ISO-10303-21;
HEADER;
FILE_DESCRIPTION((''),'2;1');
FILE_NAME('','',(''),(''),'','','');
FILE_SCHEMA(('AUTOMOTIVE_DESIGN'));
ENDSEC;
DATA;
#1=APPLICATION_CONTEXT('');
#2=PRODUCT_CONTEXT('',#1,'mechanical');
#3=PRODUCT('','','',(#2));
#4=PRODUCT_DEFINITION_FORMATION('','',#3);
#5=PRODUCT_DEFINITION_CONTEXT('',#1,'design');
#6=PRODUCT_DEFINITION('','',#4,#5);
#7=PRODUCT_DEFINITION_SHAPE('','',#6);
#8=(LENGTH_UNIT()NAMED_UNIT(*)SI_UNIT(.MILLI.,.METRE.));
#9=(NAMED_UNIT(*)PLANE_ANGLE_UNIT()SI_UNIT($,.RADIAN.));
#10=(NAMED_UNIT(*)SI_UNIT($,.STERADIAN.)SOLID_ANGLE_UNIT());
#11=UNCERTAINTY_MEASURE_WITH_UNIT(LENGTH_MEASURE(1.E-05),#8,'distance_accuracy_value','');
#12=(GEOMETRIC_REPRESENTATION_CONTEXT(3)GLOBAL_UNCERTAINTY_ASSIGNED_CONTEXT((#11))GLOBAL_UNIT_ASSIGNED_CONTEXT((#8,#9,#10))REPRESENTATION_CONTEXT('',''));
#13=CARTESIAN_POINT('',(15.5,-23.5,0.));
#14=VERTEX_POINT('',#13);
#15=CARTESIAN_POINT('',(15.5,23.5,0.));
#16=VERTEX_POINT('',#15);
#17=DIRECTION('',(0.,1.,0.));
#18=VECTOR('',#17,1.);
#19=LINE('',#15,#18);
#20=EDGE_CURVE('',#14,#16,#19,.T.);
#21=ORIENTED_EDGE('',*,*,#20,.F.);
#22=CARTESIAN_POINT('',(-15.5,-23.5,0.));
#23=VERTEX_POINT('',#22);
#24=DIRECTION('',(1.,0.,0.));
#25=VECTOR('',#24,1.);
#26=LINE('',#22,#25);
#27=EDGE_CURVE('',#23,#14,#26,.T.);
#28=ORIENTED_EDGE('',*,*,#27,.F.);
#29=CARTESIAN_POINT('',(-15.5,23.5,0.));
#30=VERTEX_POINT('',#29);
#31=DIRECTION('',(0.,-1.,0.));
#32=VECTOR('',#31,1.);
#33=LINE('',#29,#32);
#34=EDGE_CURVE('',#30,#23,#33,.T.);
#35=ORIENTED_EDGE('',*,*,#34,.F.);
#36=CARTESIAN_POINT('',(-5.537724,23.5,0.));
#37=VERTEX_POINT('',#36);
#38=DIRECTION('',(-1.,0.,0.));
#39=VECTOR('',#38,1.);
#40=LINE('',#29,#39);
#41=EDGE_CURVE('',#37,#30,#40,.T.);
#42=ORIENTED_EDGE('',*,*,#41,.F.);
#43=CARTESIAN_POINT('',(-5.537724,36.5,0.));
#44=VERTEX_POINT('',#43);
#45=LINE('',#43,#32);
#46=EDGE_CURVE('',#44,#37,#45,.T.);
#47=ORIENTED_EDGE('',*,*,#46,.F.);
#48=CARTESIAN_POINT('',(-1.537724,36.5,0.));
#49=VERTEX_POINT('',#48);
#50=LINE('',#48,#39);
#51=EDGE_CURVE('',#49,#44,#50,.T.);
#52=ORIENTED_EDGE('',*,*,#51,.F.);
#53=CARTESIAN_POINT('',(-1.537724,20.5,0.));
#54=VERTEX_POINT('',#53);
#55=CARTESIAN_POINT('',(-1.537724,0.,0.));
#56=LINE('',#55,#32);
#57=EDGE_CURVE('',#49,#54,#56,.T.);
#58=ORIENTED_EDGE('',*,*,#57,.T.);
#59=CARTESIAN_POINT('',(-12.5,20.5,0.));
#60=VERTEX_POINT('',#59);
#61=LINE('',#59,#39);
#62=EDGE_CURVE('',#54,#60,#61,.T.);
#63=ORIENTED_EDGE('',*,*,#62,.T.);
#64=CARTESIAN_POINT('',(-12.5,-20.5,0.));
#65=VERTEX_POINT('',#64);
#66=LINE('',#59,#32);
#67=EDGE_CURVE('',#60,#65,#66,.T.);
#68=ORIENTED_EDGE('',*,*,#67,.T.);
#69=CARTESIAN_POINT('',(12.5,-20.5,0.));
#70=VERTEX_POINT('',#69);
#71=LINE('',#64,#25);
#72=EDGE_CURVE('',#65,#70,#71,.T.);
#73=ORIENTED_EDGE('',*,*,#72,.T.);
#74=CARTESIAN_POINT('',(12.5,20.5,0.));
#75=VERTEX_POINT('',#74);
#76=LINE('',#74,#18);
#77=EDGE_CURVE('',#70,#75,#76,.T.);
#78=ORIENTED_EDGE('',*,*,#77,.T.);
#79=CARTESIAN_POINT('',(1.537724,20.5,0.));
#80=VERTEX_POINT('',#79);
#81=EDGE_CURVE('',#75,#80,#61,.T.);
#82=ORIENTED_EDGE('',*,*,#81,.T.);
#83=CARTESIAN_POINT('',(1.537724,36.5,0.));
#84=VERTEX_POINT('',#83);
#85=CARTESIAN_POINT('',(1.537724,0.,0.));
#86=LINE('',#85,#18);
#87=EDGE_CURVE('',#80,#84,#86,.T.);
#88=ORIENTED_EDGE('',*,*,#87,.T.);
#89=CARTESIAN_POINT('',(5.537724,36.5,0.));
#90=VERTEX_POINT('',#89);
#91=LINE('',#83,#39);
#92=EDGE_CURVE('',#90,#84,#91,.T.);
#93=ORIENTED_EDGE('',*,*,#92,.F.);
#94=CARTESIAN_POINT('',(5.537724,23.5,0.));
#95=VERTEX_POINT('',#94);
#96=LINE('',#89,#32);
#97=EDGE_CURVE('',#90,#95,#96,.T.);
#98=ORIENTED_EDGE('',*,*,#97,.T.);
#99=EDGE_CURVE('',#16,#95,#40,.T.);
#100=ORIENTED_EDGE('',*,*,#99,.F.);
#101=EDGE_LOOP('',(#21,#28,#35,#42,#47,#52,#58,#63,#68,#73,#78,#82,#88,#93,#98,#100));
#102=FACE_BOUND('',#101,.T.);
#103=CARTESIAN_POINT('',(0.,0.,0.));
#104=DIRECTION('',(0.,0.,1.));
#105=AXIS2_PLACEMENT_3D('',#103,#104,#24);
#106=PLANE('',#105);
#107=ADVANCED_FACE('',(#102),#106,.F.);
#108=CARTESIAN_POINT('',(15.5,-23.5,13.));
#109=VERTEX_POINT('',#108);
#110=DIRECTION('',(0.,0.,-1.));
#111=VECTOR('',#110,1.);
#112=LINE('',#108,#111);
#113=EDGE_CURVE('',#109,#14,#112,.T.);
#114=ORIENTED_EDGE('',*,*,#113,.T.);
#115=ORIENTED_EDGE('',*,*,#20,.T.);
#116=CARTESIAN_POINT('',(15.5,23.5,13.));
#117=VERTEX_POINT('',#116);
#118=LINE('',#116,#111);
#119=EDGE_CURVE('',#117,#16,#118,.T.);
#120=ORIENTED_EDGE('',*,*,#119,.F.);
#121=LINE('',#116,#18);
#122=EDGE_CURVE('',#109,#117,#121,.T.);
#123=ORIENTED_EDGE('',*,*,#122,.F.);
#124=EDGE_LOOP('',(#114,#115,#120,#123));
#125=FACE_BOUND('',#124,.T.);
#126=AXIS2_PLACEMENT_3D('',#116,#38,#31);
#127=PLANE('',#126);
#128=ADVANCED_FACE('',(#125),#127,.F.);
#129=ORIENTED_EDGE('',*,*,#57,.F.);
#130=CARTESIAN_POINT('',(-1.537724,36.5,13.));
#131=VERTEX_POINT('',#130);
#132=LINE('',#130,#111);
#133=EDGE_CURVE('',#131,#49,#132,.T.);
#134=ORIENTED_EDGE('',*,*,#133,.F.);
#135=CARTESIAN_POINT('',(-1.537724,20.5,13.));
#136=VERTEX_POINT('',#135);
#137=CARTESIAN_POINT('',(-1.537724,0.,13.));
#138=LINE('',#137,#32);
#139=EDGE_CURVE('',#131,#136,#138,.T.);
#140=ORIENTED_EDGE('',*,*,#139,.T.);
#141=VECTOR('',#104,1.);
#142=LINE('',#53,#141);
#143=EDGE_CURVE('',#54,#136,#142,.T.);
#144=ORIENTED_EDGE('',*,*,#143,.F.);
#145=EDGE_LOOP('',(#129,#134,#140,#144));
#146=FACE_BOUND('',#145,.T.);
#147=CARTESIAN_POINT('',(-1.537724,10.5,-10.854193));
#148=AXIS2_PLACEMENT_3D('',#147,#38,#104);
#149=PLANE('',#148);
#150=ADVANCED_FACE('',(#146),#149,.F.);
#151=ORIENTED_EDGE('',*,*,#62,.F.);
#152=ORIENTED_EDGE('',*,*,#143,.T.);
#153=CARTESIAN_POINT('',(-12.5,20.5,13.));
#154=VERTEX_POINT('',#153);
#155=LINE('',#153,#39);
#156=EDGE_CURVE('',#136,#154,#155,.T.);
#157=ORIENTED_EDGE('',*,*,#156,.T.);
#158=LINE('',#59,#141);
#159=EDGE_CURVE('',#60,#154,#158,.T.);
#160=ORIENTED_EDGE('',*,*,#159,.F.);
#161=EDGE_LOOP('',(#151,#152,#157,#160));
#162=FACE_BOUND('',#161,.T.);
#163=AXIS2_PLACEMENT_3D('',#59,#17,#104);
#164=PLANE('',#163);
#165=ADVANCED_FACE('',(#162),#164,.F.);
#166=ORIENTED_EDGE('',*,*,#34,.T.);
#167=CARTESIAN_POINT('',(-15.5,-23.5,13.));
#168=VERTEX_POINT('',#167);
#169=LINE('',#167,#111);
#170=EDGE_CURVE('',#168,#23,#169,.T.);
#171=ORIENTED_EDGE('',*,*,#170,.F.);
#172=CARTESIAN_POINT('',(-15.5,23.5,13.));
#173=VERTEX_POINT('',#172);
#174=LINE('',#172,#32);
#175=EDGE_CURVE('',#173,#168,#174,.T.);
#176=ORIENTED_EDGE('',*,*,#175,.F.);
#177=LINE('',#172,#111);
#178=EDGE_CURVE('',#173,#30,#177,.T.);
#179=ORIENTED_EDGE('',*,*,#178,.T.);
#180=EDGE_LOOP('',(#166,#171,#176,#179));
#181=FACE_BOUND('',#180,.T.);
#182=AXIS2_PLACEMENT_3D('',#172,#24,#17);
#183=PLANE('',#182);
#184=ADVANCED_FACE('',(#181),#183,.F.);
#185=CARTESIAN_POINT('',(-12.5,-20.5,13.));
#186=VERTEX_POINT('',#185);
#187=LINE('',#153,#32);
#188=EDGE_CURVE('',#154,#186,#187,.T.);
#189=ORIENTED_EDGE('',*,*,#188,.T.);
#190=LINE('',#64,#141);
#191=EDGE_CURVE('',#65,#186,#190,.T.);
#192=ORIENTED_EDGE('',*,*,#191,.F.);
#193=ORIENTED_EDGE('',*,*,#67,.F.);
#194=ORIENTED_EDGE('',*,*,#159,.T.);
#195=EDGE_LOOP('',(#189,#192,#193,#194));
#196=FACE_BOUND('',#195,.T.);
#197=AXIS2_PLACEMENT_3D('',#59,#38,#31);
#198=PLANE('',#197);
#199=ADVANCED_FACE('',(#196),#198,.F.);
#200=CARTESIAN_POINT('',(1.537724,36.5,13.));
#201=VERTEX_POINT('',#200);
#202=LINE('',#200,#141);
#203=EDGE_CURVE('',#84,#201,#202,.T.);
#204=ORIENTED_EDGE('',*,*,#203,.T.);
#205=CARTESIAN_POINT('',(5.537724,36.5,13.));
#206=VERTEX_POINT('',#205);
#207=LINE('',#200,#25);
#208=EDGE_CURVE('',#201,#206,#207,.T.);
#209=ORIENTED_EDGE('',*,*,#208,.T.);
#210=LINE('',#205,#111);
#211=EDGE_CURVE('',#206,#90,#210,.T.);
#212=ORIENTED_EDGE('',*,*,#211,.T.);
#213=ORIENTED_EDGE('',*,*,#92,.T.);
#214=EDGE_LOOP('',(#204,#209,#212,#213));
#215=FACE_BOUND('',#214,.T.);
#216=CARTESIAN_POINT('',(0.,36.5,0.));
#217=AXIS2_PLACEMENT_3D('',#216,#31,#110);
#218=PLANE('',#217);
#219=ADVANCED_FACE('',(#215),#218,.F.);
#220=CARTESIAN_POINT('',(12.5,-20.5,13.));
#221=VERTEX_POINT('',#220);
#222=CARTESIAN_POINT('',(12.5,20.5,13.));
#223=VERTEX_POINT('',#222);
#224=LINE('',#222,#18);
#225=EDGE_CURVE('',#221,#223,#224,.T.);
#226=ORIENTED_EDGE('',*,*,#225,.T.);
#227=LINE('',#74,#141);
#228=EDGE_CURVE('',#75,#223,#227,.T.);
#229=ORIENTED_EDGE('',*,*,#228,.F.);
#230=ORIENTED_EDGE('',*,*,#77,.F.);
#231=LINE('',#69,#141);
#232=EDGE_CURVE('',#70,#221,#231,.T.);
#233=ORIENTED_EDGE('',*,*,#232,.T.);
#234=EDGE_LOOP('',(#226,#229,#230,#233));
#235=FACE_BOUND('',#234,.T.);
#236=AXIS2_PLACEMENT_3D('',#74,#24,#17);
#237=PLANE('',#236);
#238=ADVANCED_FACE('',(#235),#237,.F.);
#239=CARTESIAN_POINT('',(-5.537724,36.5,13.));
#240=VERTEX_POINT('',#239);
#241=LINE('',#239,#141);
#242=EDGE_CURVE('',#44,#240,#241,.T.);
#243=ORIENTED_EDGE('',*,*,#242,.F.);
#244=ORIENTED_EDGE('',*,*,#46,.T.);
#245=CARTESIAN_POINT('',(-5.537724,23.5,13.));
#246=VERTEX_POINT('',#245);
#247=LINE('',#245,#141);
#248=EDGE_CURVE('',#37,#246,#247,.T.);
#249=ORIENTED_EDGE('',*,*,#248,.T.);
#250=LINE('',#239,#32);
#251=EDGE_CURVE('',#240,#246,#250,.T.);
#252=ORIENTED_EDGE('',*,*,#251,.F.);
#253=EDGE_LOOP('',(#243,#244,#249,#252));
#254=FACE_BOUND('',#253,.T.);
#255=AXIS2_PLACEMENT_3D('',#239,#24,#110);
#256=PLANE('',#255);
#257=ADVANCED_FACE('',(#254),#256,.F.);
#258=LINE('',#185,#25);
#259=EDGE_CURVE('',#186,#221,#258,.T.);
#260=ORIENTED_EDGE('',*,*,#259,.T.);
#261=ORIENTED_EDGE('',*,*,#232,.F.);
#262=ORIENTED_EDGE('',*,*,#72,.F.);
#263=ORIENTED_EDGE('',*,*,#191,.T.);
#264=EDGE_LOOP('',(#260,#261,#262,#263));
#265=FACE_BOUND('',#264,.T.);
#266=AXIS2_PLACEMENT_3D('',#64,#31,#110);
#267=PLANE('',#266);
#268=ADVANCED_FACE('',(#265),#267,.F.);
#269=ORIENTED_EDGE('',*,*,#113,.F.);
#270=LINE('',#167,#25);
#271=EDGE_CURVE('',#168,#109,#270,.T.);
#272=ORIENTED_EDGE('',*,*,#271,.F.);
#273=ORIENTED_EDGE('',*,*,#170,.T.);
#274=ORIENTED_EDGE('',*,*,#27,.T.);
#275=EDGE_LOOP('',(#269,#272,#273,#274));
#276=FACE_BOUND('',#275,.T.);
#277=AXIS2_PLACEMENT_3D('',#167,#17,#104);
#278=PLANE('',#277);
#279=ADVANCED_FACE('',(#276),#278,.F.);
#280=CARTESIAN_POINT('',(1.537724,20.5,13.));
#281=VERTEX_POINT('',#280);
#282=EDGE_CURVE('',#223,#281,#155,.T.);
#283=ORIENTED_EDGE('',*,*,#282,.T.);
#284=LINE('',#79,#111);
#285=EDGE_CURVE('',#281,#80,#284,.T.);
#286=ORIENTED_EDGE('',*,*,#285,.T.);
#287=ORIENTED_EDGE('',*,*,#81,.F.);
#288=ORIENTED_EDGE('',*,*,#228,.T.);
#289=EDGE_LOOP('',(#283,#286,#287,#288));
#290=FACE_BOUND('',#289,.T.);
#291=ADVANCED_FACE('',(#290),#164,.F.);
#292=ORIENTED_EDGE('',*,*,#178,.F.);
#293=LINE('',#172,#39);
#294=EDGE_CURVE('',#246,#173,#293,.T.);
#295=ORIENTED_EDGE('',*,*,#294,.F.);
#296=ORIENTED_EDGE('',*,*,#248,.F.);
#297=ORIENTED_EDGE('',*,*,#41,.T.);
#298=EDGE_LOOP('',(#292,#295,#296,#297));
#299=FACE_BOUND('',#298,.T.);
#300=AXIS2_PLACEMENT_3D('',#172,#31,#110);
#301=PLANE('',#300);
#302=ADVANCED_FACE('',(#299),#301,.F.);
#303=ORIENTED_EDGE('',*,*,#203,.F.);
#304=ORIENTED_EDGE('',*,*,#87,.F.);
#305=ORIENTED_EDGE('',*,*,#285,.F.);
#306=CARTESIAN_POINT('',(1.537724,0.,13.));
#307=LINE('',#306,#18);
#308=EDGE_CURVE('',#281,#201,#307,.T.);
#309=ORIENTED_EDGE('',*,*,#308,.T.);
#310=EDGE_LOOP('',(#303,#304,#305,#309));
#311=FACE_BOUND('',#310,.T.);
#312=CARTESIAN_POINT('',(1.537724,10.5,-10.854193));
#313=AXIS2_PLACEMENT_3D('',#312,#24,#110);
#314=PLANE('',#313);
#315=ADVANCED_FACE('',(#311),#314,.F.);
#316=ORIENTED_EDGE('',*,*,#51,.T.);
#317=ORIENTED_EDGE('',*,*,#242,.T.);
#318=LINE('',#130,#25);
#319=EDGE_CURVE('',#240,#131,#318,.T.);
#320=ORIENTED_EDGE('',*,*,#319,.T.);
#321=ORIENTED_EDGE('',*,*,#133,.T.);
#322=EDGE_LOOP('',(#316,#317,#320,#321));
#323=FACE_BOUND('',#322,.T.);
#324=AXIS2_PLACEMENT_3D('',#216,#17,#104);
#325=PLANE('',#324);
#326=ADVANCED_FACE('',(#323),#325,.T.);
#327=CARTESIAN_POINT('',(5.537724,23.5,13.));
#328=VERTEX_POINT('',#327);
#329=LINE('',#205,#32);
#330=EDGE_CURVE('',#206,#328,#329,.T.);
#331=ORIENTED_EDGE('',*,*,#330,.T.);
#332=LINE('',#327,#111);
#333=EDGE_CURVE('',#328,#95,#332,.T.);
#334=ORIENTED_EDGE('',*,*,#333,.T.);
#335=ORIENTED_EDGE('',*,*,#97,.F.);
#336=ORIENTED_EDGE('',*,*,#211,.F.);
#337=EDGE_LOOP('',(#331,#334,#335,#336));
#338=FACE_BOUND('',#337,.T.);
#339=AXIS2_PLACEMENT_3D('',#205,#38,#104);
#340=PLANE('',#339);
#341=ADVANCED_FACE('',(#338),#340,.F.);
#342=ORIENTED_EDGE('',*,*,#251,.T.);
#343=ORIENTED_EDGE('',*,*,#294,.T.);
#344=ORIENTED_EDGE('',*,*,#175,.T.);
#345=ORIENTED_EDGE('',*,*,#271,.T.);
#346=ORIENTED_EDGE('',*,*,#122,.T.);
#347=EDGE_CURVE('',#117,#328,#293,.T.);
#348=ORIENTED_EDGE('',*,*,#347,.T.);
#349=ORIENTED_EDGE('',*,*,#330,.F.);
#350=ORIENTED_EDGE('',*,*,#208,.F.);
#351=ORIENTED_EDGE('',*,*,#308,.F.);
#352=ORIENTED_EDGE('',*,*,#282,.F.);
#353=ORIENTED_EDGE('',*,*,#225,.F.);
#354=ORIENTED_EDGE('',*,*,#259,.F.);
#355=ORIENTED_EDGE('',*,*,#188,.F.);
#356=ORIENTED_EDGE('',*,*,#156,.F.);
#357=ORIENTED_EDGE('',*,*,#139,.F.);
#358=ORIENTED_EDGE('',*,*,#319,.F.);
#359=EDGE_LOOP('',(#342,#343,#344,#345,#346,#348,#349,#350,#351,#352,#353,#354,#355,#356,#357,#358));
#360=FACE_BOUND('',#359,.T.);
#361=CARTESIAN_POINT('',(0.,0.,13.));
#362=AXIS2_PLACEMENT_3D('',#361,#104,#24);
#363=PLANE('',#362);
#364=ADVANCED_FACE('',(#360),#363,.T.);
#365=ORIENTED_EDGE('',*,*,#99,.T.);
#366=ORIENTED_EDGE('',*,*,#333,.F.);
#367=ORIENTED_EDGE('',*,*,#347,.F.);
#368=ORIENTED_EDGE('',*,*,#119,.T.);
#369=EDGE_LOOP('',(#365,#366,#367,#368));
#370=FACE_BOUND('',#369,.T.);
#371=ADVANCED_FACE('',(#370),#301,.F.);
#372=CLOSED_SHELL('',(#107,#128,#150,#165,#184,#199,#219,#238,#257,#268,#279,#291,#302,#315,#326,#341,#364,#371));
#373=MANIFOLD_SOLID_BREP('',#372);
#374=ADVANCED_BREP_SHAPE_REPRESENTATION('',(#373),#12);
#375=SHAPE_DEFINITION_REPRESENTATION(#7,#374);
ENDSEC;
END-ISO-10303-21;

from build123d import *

# Parameters (mm, degrees)
CROQUIS1_W              = 31
CROQUIS1_H              = 47
SALIENTE_EXTRUIR1_DEPTH = 13
CROQUIS2_W              = 25
CROQUIS2_H              = 41
CORTAR_EXTRUIR1_DEPTH   = 13
CROQUIS3_W              = 3.075448652
CROQUIS3_H              = 33.686173061
CORTAR_EXTRUIR2_DEPTH   = 13
CROQUIS4_W              = 4
CROQUIS4_H              = 13
SALIENTE_EXTRUIR2_DEPTH = 13


with BuildPart() as part:
    # Croquis1 → Saliente-Extruir1 (new body)
    with BuildSketch(Plane.XY):
        Rectangle(CROQUIS1_W, CROQUIS1_H)
    extrude(amount=SALIENTE_EXTRUIR1_DEPTH)

    # Croquis2 → Cortar-Extruir1 (cut)
    with BuildSketch(Plane.XY.offset(13)):
        Rectangle(CROQUIS2_W, CROQUIS2_H)
    extrude(amount=-CORTAR_EXTRUIR1_DEPTH, mode=Mode.SUBTRACT)

    # Croquis3 → Cortar-Extruir2 (cut)
    with BuildSketch(Plane(origin=(0, 23.5, 0), x_dir=(1, 0, 0), z_dir=(0, 1, 0))):
        with Locations((0, -5.988894029)):
            Rectangle(CROQUIS3_W, CROQUIS3_H)
    extrude(amount=-CORTAR_EXTRUIR2_DEPTH, mode=Mode.SUBTRACT)

    # Croquis4 → Saliente-Extruir2 (add)
    with BuildSketch(Plane(origin=(0, 23.5, 0), x_dir=(1, 0, 0), z_dir=(0, 1, 0))):
        with Locations((3.537724326, -6.5)):
            Rectangle(CROQUIS4_W, CROQUIS4_H)
        with Locations((-3.537724326, -6.5)):
            Rectangle(CROQUIS4_W, CROQUIS4_H)
    extrude(amount=SALIENTE_EXTRUIR2_DEPTH)


solid = part.part
